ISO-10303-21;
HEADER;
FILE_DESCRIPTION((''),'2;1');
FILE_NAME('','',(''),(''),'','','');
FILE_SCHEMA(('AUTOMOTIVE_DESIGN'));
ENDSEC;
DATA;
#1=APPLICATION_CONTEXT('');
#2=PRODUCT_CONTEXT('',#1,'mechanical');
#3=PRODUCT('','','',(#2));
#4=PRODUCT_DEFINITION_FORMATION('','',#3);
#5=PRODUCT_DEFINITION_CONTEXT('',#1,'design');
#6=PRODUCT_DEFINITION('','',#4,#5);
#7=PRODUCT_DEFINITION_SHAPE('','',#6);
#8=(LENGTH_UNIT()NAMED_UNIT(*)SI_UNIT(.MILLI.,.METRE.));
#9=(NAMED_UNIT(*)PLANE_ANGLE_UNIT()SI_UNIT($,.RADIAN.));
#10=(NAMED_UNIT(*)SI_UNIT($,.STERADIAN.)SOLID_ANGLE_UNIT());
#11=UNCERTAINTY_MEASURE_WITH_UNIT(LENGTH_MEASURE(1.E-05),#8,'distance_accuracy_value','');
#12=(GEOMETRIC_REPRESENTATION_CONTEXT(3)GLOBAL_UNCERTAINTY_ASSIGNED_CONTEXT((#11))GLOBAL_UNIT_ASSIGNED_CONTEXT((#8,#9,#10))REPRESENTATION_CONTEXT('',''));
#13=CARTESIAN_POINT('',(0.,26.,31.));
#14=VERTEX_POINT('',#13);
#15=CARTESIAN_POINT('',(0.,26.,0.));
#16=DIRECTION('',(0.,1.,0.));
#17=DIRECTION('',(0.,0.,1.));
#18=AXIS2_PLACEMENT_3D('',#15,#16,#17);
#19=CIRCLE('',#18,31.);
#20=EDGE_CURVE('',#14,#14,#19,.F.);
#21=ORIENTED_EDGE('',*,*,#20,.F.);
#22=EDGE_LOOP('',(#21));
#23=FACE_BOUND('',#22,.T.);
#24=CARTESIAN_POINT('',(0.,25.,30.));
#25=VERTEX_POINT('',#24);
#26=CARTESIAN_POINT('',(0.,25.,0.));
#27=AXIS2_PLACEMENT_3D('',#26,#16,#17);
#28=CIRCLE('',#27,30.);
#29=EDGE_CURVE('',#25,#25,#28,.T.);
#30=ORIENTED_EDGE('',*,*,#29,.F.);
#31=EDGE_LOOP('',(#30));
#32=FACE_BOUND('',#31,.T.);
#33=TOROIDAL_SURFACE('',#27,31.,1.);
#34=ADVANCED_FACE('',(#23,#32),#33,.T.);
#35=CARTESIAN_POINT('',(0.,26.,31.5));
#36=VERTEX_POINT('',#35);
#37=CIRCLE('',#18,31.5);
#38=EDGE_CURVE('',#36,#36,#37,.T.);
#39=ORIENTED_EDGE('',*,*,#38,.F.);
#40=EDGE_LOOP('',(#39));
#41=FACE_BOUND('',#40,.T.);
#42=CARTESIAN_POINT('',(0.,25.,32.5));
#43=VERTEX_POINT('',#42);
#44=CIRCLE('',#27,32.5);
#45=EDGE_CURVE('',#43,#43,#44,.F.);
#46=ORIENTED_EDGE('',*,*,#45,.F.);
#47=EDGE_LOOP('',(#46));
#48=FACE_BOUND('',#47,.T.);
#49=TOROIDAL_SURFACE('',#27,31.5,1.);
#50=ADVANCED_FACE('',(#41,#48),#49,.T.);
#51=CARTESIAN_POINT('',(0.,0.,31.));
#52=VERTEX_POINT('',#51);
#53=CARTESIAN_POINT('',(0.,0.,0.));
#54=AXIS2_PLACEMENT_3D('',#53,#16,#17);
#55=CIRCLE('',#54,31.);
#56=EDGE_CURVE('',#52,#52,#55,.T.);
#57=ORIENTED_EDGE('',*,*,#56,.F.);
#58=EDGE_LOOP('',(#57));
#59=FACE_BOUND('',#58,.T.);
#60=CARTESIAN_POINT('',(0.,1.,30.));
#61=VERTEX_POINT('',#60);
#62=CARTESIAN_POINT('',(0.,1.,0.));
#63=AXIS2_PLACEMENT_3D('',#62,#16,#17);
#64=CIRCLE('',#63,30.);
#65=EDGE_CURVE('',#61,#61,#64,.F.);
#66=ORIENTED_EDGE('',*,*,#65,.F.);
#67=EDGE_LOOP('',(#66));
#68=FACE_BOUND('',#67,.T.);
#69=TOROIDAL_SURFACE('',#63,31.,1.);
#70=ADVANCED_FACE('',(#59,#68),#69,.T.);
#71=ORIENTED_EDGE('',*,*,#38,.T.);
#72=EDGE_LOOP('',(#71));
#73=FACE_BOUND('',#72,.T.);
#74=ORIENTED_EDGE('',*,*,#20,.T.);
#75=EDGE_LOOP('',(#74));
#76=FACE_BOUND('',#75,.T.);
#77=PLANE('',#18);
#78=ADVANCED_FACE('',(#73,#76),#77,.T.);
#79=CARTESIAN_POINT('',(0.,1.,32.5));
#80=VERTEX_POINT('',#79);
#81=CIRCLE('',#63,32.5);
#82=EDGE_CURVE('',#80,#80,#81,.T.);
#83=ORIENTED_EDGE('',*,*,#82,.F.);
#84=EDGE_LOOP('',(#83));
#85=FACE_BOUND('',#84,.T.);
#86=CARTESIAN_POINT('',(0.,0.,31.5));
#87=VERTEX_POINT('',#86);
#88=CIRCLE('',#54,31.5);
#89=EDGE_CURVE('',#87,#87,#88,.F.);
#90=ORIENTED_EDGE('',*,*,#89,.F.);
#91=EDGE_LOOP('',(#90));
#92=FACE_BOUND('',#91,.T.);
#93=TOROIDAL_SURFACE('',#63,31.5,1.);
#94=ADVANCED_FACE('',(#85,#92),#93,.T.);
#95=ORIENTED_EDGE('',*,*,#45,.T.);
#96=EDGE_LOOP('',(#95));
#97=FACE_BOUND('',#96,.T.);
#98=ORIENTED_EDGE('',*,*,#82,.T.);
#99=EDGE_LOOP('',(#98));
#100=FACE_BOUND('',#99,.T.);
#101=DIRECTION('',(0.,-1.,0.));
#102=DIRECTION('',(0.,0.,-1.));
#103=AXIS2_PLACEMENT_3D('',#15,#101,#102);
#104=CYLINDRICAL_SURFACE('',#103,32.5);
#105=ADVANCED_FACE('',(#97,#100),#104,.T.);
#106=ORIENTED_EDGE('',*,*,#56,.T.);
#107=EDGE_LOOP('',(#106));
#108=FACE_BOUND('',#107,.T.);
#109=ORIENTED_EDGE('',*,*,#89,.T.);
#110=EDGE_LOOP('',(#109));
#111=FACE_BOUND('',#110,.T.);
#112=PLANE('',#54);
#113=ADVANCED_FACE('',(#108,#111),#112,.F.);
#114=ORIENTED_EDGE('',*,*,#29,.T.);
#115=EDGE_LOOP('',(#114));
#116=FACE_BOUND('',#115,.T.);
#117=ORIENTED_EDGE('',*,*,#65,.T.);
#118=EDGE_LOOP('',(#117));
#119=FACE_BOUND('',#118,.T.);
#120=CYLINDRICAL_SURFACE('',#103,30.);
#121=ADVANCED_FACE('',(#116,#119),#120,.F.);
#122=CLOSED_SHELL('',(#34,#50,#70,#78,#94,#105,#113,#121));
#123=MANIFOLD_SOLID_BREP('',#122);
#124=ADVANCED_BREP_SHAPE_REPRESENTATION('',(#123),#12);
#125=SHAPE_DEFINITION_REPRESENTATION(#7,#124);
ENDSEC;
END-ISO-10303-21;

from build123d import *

# Parameters (mm, degrees)
SKETCH_1_R      = 32.5
SKETCH_1_R_2    = 30
EXTRUDE_1_DEPTH = 26
FILLET_1_R      = 1


with BuildPart() as part:
    # 草图1 → 凸台-拉伸1 (new body)
    with BuildSketch(Plane(origin=(0, 0, 0), x_dir=(1, 0, 0), z_dir=(0, 1, 0))):
        Circle(SKETCH_1_R)
        Circle(SKETCH_1_R_2, mode=Mode.SUBTRACT)
    extrude(amount=EXTRUDE_1_DEPTH)

    # 圆角1
    fillet_1_edges = [part.edges().sort_by_distance(p)[0] for p in [
        (-32.5, 0, 0),
        (-32.5, 26, 0),
        (-30, 0, 0),
        (-30, 26, 0),
    ]]
    fillet(fillet_1_edges, radius=FILLET_1_R)


solid = part.part
